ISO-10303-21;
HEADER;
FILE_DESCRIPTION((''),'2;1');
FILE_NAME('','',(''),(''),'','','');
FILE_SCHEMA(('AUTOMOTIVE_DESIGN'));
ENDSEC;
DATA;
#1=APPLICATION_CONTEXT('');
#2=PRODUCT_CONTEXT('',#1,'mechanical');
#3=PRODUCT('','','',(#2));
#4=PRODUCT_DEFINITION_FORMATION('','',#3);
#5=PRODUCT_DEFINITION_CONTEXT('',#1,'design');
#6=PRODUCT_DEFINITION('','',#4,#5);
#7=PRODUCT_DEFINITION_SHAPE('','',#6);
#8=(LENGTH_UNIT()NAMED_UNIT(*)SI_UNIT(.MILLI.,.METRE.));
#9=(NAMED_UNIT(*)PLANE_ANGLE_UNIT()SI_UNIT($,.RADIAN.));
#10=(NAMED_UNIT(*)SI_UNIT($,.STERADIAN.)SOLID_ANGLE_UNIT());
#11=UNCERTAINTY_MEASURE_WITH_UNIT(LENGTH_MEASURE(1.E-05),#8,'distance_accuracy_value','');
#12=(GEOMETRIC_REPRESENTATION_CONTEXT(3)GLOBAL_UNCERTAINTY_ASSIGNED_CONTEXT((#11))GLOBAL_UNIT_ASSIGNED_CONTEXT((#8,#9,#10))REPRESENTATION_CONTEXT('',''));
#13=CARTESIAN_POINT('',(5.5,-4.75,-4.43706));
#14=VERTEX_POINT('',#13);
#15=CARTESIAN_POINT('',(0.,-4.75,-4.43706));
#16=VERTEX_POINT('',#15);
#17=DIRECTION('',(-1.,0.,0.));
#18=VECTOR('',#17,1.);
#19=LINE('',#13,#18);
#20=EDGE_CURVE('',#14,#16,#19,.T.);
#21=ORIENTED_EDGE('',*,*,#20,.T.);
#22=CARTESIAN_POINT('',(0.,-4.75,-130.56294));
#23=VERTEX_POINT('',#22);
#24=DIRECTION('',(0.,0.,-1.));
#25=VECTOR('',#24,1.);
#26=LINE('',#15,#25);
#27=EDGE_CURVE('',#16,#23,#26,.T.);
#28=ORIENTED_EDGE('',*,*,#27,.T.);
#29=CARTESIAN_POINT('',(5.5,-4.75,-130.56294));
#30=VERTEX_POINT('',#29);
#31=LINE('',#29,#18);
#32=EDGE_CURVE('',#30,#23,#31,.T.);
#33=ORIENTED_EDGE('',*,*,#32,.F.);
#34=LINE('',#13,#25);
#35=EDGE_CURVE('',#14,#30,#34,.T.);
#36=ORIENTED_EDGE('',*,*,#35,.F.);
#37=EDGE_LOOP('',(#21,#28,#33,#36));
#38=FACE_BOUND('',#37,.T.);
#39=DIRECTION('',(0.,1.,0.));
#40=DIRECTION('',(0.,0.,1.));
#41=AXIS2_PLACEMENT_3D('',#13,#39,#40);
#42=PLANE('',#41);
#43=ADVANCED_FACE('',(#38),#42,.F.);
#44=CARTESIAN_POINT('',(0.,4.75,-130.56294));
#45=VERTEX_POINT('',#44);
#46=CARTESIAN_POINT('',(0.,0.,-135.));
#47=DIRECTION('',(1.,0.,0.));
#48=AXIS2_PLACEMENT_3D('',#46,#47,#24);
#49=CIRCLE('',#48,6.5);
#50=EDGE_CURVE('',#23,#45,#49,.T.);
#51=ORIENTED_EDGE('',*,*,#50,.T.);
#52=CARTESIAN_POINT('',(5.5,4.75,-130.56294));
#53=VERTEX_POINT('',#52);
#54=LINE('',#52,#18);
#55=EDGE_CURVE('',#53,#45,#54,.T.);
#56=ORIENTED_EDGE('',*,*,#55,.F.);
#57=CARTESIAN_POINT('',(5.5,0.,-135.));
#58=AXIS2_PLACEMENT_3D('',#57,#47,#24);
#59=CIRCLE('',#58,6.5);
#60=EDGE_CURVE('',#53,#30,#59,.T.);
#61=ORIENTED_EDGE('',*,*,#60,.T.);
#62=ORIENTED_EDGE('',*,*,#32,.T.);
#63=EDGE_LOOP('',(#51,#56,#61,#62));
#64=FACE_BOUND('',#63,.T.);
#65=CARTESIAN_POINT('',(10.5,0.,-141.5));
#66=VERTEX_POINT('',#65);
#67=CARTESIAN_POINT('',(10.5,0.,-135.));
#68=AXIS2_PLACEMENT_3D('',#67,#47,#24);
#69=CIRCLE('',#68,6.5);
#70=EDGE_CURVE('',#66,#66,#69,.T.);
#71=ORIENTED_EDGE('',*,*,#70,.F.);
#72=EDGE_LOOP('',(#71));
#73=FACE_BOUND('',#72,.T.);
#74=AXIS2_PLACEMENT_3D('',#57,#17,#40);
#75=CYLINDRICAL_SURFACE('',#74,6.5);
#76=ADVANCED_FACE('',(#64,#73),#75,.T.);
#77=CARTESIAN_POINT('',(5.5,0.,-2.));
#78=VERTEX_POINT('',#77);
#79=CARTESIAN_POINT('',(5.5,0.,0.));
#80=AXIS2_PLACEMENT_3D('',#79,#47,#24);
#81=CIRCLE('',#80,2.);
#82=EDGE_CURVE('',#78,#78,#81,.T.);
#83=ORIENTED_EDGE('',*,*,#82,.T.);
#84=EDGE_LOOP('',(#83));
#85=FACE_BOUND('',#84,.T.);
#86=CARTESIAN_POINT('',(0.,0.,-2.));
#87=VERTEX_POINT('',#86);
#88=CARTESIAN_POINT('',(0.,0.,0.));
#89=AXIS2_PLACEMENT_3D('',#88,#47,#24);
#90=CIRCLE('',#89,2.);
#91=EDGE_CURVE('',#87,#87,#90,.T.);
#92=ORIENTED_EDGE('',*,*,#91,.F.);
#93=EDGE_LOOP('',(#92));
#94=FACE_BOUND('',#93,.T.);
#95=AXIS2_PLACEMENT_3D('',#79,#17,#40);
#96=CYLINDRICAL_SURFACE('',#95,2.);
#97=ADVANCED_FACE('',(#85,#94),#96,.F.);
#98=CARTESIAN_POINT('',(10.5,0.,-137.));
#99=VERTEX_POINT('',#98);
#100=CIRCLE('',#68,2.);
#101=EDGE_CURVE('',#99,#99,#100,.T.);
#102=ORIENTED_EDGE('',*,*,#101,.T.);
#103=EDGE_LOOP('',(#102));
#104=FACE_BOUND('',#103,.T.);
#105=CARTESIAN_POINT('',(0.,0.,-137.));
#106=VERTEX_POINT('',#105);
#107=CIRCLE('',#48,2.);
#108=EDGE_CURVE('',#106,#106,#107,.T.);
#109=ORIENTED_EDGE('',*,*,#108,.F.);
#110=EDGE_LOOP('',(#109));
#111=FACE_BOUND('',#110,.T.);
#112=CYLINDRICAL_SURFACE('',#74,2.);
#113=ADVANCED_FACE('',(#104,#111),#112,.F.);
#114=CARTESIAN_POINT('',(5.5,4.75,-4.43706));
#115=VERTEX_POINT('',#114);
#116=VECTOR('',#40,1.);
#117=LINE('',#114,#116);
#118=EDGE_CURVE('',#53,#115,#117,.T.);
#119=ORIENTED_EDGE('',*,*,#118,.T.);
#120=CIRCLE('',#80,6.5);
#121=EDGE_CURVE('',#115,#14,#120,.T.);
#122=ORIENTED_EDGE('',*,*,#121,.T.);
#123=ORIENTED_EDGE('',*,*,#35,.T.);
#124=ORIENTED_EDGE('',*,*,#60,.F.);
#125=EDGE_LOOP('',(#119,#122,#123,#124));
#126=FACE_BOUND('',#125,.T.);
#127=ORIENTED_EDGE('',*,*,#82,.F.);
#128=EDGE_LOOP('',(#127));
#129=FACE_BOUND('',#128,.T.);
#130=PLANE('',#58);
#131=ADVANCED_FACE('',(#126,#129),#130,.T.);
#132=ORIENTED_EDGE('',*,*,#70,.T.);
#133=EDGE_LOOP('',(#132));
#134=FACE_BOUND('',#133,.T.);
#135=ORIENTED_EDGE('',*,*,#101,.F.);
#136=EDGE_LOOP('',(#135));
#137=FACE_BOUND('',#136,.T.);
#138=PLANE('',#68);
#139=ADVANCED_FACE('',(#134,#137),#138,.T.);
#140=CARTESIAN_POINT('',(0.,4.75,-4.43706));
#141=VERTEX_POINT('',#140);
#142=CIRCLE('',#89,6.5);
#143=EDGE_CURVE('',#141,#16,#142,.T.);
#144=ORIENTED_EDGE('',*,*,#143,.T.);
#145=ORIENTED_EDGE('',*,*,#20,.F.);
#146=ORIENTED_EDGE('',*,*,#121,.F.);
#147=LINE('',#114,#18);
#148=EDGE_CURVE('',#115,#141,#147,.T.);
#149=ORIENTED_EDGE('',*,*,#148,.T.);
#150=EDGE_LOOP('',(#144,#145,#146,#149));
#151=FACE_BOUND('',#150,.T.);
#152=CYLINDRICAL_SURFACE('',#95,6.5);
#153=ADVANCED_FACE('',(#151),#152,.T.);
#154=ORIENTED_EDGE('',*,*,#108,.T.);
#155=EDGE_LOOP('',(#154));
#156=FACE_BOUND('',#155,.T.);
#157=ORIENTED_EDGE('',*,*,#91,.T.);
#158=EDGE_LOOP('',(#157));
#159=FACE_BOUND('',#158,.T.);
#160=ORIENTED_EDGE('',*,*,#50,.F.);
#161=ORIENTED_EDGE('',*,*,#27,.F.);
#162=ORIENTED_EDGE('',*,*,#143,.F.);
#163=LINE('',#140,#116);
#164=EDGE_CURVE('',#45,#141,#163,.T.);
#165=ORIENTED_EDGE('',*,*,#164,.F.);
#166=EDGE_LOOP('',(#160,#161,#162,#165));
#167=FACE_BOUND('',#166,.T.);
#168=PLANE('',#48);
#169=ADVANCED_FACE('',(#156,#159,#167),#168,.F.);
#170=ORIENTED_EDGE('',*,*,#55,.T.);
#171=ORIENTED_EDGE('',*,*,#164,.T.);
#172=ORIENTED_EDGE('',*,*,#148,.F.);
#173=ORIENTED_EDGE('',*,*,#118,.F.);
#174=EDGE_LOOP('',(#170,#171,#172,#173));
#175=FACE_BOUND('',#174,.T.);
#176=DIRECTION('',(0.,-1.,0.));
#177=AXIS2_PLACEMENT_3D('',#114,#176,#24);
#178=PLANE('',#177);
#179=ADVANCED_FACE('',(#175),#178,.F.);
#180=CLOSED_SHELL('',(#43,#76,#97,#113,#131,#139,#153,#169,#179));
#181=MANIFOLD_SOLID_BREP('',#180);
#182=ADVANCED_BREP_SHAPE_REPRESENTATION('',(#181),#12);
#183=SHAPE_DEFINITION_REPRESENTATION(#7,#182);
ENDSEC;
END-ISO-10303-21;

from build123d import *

# Parameters (mm, degrees)
SKETCH1_R           = 2
BOSS_EXTRUDE1_DEPTH = 5.5
SKETCH2_R           = 6.5
SKETCH2_R_2         = 2
BOSS_EXTRUDE3_DEPTH = 5


with BuildPart() as part:
    # Sketch1 → Boss-Extrude1 (new body)
    with BuildSketch(Plane(origin=(0, 0, 0), x_dir=(0, 0, -1), z_dir=(1, 0, 0))):
        with BuildLine():
            Line((4.437059837, 4.75), (130.562940163, 4.75))
            ThreePointArc((130.562940163, 4.75), (141.5, 0), (130.562940163, -4.75))
            Line((130.562940163, -4.75), (4.437059837, -4.75))
            ThreePointArc((4.437059837, -4.75), (-6.5, 0), (4.437059837, 4.75))
        make_face()
        Circle(SKETCH1_R, mode=Mode.SUBTRACT)
        with Locations((135, 0)):
            Circle(SKETCH1_R, mode=Mode.SUBTRACT)
    extrude(amount=BOSS_EXTRUDE1_DEPTH)

    # Sketch2 → Boss-Extrude3 (add)
    with BuildSketch(Plane(origin=(5.5, 0, 0), x_dir=(0, 0, -1), z_dir=(1, 0, 0))):
        with Locations(Location((135, 0, 0), (0, 0, 133.0490798))):
            Circle(SKETCH2_R)
        with Locations((135, 0)):
            Circle(SKETCH2_R_2, mode=Mode.SUBTRACT)
    extrude(amount=BOSS_EXTRUDE3_DEPTH)


solid = part.part
